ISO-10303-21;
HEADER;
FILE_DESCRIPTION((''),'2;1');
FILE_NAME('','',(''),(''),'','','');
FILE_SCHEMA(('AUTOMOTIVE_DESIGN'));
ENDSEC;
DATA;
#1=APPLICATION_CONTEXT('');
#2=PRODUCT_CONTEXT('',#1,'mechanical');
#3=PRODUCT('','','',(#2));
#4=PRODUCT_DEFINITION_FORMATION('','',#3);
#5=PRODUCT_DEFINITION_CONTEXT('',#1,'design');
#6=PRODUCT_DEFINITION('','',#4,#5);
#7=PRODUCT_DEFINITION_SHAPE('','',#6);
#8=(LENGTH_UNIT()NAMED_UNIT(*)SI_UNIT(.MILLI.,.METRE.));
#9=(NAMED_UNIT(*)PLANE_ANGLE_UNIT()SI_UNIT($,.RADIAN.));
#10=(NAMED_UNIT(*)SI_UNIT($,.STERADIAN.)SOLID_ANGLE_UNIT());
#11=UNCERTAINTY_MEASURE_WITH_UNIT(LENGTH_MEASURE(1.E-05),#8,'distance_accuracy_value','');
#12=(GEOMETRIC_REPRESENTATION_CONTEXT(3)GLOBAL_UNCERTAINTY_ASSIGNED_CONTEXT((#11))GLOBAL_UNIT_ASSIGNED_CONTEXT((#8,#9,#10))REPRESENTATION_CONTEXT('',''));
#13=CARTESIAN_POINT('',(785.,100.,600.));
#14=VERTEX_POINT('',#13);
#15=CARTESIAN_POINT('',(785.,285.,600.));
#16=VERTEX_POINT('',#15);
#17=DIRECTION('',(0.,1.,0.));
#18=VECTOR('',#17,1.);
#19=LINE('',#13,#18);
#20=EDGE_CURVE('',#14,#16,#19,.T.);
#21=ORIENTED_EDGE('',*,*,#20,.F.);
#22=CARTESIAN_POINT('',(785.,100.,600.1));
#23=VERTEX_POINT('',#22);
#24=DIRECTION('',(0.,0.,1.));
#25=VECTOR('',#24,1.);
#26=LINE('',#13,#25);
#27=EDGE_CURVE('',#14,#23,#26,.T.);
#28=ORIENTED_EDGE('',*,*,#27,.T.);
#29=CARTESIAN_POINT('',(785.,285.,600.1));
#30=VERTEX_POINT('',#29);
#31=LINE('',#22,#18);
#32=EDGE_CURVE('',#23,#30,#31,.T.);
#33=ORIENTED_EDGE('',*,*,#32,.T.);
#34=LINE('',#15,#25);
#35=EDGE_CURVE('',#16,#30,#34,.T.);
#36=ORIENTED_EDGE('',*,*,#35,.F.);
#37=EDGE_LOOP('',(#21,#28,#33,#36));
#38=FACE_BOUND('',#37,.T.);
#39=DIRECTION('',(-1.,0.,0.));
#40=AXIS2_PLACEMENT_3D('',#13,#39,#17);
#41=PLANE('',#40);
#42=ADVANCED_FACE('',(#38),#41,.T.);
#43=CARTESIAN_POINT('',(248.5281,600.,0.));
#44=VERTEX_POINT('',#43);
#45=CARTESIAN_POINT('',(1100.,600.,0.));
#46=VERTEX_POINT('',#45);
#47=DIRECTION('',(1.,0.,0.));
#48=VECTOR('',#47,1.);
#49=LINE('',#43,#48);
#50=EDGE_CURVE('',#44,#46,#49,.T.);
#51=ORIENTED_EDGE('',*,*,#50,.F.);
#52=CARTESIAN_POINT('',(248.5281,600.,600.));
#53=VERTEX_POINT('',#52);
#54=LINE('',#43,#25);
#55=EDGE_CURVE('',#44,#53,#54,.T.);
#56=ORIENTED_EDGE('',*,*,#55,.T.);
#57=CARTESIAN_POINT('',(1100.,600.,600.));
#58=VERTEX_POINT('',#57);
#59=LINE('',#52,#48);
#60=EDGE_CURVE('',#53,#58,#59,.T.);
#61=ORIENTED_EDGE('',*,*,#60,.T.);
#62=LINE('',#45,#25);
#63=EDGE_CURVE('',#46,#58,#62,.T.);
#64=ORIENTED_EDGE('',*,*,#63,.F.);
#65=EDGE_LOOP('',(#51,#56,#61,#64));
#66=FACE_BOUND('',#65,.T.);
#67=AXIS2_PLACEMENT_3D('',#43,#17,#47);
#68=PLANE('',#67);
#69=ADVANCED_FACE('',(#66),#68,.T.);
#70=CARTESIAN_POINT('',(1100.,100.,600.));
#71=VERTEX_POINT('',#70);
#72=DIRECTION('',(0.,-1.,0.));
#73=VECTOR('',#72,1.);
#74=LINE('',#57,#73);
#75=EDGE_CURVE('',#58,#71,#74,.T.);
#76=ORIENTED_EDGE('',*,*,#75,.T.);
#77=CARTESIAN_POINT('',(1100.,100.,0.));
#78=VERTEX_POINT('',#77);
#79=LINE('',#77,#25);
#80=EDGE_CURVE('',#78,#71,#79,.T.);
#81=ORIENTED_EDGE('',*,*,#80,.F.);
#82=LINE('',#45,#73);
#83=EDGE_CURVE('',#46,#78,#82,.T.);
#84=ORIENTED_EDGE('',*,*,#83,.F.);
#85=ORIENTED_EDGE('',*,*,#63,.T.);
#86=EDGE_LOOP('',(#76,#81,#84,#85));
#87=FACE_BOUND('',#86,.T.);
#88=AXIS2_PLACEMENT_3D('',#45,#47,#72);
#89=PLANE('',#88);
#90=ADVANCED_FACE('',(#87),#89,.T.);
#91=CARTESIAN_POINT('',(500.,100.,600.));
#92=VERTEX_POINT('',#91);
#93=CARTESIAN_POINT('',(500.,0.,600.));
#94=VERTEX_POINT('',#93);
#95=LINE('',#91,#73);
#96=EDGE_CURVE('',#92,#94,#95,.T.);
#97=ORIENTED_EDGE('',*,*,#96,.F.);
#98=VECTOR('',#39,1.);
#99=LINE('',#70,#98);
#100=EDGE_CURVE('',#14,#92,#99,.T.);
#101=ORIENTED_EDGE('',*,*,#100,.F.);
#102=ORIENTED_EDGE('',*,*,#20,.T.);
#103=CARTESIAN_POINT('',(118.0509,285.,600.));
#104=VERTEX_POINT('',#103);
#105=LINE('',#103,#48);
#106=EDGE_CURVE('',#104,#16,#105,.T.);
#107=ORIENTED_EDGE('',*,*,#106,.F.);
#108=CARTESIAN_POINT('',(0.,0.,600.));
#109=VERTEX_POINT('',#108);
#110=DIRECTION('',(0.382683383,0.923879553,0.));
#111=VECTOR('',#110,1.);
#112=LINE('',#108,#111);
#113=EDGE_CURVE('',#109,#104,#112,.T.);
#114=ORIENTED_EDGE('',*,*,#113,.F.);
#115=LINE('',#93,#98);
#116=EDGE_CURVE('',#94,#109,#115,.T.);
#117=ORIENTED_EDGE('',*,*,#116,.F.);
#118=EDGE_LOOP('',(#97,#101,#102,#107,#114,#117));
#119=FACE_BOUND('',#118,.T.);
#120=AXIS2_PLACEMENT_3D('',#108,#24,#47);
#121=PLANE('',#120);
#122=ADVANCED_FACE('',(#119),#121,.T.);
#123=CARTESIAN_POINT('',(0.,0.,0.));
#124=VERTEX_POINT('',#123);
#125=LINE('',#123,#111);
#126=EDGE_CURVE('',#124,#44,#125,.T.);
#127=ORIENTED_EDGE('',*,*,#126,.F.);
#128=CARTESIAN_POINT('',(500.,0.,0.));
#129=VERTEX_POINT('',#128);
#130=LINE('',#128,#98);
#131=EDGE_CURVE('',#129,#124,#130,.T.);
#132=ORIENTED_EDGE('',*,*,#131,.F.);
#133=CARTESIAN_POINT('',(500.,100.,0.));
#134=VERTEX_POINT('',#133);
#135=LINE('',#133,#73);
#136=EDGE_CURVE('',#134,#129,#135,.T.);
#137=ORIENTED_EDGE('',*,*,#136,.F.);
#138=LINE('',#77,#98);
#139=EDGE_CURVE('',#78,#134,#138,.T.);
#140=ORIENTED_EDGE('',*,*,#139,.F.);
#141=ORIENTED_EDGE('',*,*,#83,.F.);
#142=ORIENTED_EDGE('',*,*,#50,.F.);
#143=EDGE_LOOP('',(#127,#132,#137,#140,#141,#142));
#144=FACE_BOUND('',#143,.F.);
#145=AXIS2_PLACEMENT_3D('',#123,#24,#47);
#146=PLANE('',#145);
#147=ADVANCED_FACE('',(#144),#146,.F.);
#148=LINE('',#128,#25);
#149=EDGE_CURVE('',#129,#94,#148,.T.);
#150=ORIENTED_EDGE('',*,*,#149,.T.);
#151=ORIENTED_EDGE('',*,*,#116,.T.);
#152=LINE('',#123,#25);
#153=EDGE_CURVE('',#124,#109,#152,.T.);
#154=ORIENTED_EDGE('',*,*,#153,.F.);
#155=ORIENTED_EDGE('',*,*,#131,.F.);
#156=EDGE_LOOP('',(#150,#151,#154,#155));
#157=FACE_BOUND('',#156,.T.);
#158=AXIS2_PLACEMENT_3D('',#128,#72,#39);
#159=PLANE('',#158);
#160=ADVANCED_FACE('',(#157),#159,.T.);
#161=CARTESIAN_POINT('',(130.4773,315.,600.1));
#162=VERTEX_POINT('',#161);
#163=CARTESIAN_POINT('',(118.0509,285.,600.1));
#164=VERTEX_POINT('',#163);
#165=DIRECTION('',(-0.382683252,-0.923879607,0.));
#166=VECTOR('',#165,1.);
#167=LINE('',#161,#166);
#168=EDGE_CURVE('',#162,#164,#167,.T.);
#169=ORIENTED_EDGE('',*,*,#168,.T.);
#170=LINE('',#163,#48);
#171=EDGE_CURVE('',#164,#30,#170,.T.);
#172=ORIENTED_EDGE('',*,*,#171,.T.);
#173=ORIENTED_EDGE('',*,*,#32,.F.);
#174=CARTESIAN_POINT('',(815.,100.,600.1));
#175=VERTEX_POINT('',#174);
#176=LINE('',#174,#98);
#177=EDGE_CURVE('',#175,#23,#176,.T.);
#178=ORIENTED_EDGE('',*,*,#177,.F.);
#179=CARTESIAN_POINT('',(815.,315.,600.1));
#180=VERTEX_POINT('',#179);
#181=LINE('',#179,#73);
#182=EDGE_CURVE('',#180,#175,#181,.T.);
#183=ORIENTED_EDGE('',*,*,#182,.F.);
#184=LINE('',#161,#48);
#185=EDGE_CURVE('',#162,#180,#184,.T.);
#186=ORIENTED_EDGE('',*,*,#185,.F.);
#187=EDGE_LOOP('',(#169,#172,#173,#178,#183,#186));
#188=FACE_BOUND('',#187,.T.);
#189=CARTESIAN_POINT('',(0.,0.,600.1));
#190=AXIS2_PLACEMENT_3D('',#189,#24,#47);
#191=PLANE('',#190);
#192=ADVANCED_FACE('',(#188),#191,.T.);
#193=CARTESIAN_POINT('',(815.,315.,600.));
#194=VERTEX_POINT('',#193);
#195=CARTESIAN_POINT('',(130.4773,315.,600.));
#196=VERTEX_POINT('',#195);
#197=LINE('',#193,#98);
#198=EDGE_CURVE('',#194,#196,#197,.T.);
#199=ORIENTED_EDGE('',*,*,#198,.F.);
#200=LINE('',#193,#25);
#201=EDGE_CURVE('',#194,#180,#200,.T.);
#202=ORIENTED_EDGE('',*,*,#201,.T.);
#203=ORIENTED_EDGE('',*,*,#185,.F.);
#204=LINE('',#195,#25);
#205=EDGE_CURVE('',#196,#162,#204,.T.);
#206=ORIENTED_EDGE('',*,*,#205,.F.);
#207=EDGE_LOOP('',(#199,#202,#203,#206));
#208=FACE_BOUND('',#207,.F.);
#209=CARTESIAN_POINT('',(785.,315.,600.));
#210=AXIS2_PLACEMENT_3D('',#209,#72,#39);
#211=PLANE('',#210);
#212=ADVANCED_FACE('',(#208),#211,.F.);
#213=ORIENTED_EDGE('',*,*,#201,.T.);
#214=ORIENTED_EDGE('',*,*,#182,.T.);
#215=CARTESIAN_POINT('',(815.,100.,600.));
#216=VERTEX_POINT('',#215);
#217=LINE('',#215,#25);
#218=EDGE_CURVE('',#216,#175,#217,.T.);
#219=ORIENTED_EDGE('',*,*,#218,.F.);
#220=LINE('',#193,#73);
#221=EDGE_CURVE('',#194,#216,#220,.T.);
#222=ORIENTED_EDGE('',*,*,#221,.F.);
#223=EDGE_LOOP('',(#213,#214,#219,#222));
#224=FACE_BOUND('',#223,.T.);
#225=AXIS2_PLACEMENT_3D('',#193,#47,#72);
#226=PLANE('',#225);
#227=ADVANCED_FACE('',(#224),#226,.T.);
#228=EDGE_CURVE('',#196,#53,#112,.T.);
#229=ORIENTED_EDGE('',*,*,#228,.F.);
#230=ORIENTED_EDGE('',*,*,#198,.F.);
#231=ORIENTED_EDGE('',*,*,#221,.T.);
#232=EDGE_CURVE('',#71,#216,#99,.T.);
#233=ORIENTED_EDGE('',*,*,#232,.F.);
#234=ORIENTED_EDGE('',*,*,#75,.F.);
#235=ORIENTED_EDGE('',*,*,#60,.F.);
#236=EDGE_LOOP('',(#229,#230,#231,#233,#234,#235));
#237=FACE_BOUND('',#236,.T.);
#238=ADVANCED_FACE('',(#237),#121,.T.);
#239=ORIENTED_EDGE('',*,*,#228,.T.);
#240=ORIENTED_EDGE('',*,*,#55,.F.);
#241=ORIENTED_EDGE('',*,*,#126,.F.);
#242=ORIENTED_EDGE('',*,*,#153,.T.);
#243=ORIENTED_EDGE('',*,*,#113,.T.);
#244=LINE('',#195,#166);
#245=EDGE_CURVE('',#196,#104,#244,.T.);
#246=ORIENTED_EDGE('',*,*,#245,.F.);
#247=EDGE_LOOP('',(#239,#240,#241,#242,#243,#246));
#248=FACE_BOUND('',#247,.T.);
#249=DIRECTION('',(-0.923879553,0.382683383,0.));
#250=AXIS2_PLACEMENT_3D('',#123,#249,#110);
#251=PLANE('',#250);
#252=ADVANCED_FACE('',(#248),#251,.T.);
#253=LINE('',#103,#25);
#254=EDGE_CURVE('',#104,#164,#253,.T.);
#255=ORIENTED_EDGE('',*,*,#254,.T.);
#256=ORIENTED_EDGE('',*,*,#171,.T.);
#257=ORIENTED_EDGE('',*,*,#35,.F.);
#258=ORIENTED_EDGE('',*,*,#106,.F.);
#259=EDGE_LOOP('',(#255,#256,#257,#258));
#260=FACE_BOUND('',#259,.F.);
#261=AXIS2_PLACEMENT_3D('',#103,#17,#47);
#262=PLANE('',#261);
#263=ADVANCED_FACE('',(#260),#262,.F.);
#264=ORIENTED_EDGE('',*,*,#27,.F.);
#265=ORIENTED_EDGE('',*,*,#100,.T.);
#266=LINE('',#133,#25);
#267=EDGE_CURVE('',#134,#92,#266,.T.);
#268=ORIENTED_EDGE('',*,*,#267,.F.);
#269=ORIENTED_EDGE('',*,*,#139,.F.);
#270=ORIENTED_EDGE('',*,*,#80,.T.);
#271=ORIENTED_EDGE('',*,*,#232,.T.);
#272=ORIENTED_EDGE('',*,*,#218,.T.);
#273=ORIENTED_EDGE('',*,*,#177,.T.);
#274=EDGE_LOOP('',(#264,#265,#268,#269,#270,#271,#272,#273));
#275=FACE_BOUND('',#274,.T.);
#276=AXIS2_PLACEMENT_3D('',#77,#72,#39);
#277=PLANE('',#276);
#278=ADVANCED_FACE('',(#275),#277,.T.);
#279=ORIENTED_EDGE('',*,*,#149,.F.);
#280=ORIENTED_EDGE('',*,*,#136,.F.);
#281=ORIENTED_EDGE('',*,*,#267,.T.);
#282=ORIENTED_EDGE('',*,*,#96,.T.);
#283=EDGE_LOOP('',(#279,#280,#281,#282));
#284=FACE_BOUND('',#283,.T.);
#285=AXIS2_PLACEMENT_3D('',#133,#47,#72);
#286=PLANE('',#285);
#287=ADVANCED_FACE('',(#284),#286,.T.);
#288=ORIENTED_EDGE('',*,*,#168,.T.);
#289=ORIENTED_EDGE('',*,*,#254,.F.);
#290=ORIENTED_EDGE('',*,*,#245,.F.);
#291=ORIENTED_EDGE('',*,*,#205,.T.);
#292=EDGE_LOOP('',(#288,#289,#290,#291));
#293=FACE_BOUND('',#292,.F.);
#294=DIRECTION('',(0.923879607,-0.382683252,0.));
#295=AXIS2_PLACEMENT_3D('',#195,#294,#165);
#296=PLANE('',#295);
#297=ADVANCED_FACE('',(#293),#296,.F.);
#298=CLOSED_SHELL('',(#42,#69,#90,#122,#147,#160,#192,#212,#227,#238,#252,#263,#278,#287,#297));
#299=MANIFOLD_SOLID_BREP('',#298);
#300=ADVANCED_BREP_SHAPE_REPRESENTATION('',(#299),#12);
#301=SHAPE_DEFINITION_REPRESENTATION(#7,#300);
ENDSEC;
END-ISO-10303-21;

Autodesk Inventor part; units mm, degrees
ref_plane "YZ Plane" through (0, 0, 0) normal (1, 0, 0) x (0, 1, 0)
ref_plane "XZ Plane" through (0, 0, 0) normal (0, 1, 0) x (-1, 0, 0)
ref_plane "XY Plane" through (0, 0, 0) normal (0, 0, 1) x (1, 0, 0)
sketch "スケッチ1" plane through (0, 0, 0) normal (0, 0, 1) x (1, 0, 0)
  line L0 (0, 0) -> (-248.5281, 600)
  line L1 (-248.5281, 600) -> (-1100, 600)
  line L2 (-1100, 600) -> (-1100, 100)
  line L3 (-1100, 100) -> (-500, 100)
  line L4 (-500, 100) -> (-500, 0)
  line L5 (-500, 0) -> (0, 0)
  line L6 (0, 0) -> (0, 1201.6741) construction
  line L7 (0, 0) -> (248.5281, 600)
  line L8 (248.5281, 600) -> (1100, 600)
  line L9 (1100, 600) -> (1100, 100)
  line L10 (1100, 100) -> (500, 100)
  line L11 (500, 100) -> (500, 0)
  line L12 (500, 0) -> (0, 0)
  dimension "d0" = 67.5
  dimension "d2" = 600
  dimension "d3" = 100
  dimension "d4" = 1100
  dimension "d5" = 600
extrude "押し出し1" add sketch "スケッチ1" along normal blind 600 contours L7 L8 L9 L10 L11 L12
sketch "スケッチ2" plane through (0, 0, 600) normal (0, 0, 1) x (1, 0, 0)
  line L0 (118.0509, 285) -> (785, 285)
  line L1 (785, 285) -> (785, 315)
  line L2 (785, 315) -> (130.4773, 315)
  line L3 (130.4773, 315) -> (118.0509, 285)
  line L4 (815, 100) -> (785, 100)
  line L5 (785, 100) -> (785, 315)
  line L6 (785, 315) -> (815, 315)
  line L7 (815, 315) -> (815, 100)
  line L8 (500, 100) -> (1100, 100) projected
  line L9 (248.5281, 600) -> (0, 0) projected
  point P0 (800, 100)
  point P1 (800, 100)
  point P2 (124.2641, 300)
  point P3 (-147.2757, 300)
  point P4 (800, 100)
  point P5 (124.2641, 300)
  dimension "d8" = 30
extrude "押し出し2" add sketch "スケッチ2" along normal blind 0.1
sketch "スケッチ3" plane through (0, 0, 600.1) normal (0, 0, 1) x (1, 0, 0)
  line L0 (118.0509, 285) -> (785, 285) projected
  line L1 (815, 100) -> (815, 315) projected
  line L2 (815, 315) -> (130.4773, 315) projected
  point P0 (0, 0)
  point P1 (800, 300)
  point P2 (400, 300)
  dimension "d11" = 15
  dimension "d12" = 15
  dimension "d13" = 15
  dimension "d14" = 400
equation "\"d12\" = d11"
properties part number "River1"
